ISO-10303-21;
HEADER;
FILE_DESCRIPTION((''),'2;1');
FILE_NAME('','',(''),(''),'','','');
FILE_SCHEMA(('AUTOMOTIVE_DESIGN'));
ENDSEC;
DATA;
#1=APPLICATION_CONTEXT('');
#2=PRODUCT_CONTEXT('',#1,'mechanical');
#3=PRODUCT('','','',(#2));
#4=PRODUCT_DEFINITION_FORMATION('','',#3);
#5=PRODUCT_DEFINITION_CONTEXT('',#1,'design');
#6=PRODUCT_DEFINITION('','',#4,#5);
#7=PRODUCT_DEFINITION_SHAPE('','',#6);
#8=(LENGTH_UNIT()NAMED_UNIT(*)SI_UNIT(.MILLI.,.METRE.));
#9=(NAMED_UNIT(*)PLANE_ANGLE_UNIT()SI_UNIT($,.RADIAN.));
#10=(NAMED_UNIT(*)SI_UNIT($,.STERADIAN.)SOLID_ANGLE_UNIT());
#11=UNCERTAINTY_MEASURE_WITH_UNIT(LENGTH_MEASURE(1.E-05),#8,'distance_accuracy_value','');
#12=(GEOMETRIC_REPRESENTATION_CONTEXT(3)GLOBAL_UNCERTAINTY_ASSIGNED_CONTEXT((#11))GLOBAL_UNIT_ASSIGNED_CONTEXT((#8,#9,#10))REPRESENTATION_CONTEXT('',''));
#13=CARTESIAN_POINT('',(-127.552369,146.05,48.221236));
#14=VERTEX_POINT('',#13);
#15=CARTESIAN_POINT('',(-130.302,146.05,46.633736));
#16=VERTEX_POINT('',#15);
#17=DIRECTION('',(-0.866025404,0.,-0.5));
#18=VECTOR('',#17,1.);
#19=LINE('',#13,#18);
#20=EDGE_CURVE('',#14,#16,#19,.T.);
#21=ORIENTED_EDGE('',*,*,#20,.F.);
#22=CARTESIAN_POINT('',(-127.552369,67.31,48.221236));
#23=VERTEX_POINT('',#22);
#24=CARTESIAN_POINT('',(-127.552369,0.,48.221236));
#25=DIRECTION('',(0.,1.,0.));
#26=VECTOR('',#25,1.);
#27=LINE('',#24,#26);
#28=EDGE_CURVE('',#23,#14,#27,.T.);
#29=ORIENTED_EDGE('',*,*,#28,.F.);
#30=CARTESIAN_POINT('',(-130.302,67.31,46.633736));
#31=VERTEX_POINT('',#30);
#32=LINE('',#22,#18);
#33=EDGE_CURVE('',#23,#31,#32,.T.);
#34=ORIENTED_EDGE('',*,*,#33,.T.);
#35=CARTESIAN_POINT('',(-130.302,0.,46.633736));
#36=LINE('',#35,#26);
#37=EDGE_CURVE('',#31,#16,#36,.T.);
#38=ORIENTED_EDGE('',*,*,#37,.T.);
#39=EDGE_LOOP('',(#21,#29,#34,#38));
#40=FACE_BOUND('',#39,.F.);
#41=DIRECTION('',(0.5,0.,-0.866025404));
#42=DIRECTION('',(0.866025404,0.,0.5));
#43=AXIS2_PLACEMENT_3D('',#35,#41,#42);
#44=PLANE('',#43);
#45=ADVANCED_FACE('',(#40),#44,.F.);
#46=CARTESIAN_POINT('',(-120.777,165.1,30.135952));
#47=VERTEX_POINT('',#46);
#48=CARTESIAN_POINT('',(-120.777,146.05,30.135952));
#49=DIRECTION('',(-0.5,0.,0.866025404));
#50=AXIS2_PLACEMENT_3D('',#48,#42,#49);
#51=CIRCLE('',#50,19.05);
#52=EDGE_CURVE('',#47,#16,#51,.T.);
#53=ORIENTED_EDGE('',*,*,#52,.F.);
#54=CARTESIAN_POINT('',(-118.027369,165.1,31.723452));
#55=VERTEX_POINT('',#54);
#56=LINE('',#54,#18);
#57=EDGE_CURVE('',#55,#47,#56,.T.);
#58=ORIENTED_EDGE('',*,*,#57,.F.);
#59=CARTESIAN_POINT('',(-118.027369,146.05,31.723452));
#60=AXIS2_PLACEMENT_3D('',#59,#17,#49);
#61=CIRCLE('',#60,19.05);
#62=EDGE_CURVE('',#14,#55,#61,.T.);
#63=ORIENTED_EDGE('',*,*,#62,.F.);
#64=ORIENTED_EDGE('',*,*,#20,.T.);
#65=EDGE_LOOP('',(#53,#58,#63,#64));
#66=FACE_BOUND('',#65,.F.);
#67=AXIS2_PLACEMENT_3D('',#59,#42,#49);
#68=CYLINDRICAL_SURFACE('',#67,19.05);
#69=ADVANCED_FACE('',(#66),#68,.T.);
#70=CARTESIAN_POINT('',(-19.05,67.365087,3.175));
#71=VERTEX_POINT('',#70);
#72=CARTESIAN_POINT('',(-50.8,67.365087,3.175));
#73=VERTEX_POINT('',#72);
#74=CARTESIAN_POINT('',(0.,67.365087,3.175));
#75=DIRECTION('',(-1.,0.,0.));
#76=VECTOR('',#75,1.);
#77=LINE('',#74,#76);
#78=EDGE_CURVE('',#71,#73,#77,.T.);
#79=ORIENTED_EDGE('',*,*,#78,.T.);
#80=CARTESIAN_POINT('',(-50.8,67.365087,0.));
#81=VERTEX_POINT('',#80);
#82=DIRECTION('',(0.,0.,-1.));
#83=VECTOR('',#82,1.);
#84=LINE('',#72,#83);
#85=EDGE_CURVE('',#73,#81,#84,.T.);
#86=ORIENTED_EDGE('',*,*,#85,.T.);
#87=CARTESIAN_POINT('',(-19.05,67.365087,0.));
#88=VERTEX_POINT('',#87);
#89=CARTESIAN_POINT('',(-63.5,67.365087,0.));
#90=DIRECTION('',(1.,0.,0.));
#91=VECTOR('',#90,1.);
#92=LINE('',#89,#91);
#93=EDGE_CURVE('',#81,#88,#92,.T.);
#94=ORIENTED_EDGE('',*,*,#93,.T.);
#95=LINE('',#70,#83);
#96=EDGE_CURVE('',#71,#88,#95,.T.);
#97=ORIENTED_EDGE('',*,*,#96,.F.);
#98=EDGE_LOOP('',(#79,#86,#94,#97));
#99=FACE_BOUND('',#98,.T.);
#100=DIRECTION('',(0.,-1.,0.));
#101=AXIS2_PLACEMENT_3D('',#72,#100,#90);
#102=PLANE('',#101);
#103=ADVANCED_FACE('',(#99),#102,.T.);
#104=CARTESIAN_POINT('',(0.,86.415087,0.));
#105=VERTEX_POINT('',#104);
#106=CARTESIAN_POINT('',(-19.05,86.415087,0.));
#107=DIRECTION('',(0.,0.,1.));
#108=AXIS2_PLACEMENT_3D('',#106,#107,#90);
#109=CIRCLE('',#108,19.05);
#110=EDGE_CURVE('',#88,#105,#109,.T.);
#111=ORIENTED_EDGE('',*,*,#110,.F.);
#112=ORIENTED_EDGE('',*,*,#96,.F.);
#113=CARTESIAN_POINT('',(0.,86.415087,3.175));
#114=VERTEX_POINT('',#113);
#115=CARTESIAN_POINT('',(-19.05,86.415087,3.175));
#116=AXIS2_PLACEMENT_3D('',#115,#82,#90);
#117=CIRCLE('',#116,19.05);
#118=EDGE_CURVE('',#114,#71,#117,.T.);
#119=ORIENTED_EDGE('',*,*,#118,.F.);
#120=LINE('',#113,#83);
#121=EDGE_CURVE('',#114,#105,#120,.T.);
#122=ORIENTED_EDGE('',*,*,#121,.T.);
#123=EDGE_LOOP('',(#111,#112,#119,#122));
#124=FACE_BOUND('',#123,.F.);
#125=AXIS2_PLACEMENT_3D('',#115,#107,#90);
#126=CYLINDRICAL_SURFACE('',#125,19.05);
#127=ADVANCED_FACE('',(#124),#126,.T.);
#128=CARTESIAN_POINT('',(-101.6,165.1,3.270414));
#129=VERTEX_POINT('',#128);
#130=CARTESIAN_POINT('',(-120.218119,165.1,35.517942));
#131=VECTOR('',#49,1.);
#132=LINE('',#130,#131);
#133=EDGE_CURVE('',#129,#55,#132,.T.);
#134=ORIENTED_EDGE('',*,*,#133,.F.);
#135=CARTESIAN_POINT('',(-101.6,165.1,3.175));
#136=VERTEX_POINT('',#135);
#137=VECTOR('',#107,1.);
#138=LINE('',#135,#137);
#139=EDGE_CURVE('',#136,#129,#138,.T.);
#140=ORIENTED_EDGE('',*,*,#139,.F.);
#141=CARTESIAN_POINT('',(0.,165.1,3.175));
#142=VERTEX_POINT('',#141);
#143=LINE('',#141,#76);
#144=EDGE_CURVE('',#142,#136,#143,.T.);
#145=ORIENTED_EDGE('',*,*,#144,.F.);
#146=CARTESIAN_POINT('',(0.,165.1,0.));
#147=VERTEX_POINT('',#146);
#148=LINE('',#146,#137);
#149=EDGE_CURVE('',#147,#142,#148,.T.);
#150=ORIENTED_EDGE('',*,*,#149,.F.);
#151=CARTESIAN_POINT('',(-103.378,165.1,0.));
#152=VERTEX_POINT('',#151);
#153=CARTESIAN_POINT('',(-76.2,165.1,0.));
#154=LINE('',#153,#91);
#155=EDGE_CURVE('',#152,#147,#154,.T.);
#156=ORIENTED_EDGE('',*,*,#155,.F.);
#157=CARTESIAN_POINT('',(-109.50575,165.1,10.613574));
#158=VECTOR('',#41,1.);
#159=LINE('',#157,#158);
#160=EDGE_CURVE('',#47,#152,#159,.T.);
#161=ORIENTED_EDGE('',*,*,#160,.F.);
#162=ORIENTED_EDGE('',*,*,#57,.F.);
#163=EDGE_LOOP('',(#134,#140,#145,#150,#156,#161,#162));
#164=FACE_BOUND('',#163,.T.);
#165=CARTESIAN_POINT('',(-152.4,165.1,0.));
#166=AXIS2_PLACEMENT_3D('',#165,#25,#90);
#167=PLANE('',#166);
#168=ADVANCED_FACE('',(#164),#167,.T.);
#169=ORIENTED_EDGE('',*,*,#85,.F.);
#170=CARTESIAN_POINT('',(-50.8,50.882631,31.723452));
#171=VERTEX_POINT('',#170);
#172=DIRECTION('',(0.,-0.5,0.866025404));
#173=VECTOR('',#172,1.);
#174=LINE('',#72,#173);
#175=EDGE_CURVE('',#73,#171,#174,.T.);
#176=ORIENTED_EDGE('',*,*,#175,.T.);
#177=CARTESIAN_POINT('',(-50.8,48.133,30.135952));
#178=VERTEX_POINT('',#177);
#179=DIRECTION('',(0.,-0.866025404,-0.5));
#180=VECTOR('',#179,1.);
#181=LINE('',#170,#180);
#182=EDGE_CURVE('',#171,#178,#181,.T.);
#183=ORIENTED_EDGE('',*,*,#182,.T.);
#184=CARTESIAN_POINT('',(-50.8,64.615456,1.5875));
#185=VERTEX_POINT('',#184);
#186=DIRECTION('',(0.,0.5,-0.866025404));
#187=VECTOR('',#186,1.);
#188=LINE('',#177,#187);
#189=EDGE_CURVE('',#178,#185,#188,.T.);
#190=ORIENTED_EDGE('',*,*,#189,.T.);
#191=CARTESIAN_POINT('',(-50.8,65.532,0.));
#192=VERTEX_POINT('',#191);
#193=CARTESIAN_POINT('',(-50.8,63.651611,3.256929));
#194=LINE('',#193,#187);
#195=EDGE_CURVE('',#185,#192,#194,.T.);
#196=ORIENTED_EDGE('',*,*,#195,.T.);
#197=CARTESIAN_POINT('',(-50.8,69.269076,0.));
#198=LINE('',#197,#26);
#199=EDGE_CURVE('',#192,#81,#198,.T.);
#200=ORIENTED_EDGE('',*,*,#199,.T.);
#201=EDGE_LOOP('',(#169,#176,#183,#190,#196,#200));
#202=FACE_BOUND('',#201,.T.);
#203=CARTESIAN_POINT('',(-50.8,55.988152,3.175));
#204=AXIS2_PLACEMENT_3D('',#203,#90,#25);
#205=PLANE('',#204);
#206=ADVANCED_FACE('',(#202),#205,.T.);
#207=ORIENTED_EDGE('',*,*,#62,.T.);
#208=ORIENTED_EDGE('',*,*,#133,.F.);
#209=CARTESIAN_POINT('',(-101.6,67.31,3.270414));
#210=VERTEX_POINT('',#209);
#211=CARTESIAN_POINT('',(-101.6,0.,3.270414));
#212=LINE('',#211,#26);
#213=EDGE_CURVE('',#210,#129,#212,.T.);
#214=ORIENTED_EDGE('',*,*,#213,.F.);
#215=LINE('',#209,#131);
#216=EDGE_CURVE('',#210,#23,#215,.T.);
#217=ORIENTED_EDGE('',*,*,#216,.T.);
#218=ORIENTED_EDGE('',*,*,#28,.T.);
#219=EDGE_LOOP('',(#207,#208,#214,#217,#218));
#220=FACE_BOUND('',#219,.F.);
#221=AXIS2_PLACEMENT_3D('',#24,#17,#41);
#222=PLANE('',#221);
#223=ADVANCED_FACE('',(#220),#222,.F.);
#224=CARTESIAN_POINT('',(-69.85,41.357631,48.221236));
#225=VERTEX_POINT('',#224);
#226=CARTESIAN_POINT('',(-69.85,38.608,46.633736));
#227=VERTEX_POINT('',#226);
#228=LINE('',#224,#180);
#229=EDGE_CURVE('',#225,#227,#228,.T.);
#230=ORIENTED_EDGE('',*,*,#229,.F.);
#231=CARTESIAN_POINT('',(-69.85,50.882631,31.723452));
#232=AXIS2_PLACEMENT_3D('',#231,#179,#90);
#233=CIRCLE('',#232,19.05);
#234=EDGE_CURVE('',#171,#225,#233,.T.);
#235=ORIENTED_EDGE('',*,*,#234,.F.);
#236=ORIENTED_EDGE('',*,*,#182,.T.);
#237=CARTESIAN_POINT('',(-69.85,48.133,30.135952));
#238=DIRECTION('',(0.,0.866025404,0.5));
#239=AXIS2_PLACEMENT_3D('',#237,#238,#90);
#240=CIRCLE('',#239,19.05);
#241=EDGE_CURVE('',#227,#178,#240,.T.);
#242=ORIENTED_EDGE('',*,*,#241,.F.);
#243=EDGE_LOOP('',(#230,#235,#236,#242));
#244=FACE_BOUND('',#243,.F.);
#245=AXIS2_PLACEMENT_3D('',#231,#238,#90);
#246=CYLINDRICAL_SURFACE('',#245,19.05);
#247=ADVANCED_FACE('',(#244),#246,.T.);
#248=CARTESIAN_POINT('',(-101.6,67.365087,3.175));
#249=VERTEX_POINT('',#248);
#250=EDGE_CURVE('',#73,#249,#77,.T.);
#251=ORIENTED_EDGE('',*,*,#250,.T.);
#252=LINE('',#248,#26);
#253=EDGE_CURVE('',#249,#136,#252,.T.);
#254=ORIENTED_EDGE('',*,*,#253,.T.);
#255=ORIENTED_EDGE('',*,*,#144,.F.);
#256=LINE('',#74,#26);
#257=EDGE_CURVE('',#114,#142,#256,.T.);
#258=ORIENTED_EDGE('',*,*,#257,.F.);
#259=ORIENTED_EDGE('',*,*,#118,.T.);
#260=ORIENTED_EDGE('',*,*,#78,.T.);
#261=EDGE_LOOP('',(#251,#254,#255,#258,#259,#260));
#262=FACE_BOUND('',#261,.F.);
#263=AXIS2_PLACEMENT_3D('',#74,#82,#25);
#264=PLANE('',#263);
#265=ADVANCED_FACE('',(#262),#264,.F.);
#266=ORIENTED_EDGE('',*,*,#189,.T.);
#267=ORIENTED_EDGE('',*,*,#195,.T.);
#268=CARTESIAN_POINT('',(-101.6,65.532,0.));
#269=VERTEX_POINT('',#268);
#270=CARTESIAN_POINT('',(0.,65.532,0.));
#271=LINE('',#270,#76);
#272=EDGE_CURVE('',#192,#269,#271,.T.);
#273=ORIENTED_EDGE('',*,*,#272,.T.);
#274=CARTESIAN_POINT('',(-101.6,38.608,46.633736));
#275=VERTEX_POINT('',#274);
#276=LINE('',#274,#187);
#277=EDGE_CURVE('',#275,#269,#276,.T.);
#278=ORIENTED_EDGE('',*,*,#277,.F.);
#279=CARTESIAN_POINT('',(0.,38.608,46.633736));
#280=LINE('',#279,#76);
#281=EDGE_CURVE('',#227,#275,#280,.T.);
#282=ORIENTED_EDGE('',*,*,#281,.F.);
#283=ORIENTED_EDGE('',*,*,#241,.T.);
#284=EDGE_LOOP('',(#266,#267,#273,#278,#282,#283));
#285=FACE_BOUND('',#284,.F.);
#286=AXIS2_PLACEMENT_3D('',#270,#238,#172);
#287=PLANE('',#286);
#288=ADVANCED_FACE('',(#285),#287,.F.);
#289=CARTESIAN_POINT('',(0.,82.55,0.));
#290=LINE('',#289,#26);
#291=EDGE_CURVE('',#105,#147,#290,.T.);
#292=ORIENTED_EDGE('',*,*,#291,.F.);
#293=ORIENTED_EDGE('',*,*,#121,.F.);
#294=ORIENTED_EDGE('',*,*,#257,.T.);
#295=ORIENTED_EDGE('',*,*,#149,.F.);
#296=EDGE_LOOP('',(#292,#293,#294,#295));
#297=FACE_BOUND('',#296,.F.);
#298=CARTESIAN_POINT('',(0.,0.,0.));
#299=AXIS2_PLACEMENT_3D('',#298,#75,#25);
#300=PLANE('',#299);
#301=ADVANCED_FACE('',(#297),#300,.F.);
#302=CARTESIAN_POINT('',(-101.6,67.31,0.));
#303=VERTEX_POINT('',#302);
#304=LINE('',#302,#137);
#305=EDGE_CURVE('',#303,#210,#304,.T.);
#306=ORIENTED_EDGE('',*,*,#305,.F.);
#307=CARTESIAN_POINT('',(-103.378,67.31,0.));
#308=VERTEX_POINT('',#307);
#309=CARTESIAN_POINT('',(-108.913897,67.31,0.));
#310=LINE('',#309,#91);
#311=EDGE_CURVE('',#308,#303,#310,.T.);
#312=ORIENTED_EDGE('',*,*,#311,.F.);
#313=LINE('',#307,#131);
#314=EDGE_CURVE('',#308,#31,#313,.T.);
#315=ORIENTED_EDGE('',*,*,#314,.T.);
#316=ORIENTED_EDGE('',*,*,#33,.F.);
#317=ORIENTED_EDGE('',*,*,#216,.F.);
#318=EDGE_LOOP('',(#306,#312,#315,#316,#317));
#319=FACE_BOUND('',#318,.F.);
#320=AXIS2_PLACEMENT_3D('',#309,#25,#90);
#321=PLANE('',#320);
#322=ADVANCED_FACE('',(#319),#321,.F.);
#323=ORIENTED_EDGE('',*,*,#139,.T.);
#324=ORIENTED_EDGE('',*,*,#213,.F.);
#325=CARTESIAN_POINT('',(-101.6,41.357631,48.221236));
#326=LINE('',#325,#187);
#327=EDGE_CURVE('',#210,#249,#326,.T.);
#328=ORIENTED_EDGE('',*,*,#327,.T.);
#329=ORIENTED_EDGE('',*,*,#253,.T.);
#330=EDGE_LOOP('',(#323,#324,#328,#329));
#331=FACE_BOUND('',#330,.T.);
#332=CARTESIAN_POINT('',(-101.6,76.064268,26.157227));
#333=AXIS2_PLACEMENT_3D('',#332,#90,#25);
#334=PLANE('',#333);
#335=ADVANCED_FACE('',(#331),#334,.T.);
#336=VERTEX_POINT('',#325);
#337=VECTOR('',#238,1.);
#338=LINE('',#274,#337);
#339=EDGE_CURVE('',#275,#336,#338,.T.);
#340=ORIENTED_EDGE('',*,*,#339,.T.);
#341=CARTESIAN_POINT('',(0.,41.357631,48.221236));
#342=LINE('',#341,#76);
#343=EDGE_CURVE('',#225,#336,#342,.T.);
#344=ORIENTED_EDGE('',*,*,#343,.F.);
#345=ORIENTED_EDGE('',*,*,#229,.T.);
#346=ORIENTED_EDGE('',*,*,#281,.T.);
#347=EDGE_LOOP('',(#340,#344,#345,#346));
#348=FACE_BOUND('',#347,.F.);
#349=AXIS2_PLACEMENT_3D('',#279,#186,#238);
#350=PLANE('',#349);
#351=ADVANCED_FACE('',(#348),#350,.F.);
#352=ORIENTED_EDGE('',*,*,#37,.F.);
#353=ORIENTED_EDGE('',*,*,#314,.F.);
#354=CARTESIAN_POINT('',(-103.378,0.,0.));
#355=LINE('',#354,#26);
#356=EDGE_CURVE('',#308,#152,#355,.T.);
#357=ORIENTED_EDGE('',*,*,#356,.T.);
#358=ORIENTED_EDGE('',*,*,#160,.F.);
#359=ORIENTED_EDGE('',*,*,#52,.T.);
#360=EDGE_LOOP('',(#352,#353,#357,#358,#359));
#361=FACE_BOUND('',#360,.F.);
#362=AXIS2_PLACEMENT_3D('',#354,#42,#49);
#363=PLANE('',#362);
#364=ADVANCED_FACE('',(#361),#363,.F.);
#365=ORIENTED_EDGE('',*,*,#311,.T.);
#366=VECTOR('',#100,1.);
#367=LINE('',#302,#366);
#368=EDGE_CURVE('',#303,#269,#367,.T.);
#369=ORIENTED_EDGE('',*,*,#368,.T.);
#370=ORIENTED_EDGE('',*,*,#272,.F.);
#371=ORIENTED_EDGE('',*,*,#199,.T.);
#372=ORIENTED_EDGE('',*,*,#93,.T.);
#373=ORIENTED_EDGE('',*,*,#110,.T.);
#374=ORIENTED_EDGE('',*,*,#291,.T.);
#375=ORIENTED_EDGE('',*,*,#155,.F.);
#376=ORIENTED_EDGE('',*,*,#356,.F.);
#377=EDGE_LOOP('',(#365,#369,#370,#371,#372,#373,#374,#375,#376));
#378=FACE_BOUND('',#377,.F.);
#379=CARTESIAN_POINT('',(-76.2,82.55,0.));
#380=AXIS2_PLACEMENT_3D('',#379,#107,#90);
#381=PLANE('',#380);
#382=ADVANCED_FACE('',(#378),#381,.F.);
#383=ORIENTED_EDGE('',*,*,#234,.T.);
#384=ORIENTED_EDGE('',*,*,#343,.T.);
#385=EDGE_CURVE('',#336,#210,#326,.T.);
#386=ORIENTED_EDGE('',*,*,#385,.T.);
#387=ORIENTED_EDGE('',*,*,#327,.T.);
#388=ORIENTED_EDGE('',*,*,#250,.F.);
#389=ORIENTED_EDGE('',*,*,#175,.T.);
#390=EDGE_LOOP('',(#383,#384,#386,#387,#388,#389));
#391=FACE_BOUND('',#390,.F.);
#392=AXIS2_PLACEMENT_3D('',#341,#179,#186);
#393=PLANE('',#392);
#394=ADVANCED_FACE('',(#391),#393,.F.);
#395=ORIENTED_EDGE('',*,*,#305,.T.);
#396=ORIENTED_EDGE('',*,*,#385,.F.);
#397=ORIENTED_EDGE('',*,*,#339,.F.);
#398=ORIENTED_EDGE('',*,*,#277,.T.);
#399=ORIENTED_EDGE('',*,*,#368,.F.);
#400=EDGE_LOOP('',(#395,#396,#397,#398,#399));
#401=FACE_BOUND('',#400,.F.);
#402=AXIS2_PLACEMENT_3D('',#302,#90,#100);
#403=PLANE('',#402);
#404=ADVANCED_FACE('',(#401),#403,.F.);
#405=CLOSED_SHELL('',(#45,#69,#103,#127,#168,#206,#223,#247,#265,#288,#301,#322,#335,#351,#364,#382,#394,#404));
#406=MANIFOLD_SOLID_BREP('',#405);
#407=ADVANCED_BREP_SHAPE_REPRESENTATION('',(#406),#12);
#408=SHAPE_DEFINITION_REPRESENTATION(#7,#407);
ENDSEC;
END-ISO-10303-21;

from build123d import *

# Parameters (mm, degrees)
F0_W      = 152.4
F0_H      = 165.1
F1_DEPTH  = 50.8
F3_DEPTH  = 101.6
F5_DEPTH  = 165.101
F7_DEPTH  = 25.4
F8_W      = 5.535897017
F8_H      = 67.31
F9_DEPTH  = 48.222235943
F11_DEPTH = 25.4
F13_DEPTH = 25.4
F14_W     = 60.9961288601
F14_H     = 11.3769355246
F15_DEPTH = 50.8


with BuildPart() as f1:
    # F0 (on Top) → F1 (new body)
    with BuildSketch(Plane.XY):
        with Locations((-76.2, 82.55)):
            Rectangle(F0_W, F0_H)
    extrude(amount=F1_DEPTH)

    # F2 (on face) → F3 (cut)
    with BuildSketch(Plane.YZ):
        Polygon((0, 0), (65.532, 0), (38.608, 46.633735943), (41.357630657, 48.221235943), (67.3650871047, 3.175), (165.1, 3.175), (165.1, 50.8), (0, 50.8), align=None)
    extrude(amount=-F3_DEPTH, mode=Mode.SUBTRACT)

    # F4 (on face) → F5 (cut, through all)
    with BuildSketch(Plane.XZ):
        Polygon((-127.552369343, 48.221235943), (-101.6, 3.2704136641), (-101.6, 50.8), (-152.4, 50.8), (-152.4, 0), (-103.378, 0), (-130.302, 46.633735943), align=None)
    extrude(amount=-F5_DEPTH, mode=Mode.SUBTRACT)

    # F6 (on face) → F7 (cut)
    with BuildSketch(Plane(origin=(-74.783869343, 0, -43.1764870962), x_dir=(0, 1, 0), z_dir=(0.8660254038, 0, 0.5))):
        with BuildLine():
            Line((165.1, 105.537), (146.05, 105.537))
            ThreePointArc((146.05, 105.537), (159.5203841816, 99.9573841816), (165.1, 86.487))
            Line((165.1, 86.487), (165.1, 105.537))
        make_face()
        Polygon((67.31, 105.537), (0, 105.537), (0, 53.632261314), (63.6438257906, 53.632261314), (67.31, 53.632261314), align=None)
    extrude(amount=-F7_DEPTH, mode=Mode.SUBTRACT)

    # F8 (on face) → F9 (cut, through all)
    with BuildSketch(Plane(origin=(0, 0, 0), x_dir=(1, 0, 0), z_dir=(0, 0, -1))):
        with Locations((-106.1459485085, -33.655)):
            Rectangle(F8_W, F8_H)
        Polygon((-101.6, -65.532), (-101.6, 0), (-103.378, 0), (-103.378, -67.31), (-101.6, -67.31), align=None)
    extrude(amount=-F9_DEPTH, mode=Mode.SUBTRACT)

    # F10 (on face) → F11 (cut)
    with BuildSketch(Plane(origin=(0, 51.898630657, 29.9636883804), x_dir=(-1, 0, 0), z_dir=(0, 0.8660254038, 0.5))):
        with BuildLine():
            ThreePointArc((50.8, 2.032), (56.3796158184, 15.5023841816), (69.85, 21.082))
            Line((69.85, 21.082), (0, 21.082))
            Line((0, 21.082), (0, -30.9329128953))
            Line((0, -30.9329128953), (50.8, -30.9329128953))
            Line((50.8, -30.9329128953), (50.8, 2.032))
        make_face()
    extrude(amount=-F11_DEPTH, mode=Mode.SUBTRACT)

    # F12 (on face) → F13 (cut)
    with BuildSketch(Plane.XY.offset(3.175)):
        with BuildLine():
            Line((0, 67.3650871047), (0, 86.4150871047))
            ThreePointArc((0, 86.4150871047), (-5.5796158184, 72.9447029231), (-19.05, 67.3650871047))
            Line((-19.05, 67.3650871047), (0, 67.3650871047))
        make_face()
    extrude(amount=-F13_DEPTH, mode=Mode.SUBTRACT)

    # F14 (on face) → F15 (cut)
    with BuildSketch(Plane.XY.offset(3.175)):
        with Locations((-20.3019355699, 61.6766193424)):
            Rectangle(F14_W, F14_H)
    extrude(amount=-F15_DEPTH, mode=Mode.SUBTRACT)


solid = f1.part
